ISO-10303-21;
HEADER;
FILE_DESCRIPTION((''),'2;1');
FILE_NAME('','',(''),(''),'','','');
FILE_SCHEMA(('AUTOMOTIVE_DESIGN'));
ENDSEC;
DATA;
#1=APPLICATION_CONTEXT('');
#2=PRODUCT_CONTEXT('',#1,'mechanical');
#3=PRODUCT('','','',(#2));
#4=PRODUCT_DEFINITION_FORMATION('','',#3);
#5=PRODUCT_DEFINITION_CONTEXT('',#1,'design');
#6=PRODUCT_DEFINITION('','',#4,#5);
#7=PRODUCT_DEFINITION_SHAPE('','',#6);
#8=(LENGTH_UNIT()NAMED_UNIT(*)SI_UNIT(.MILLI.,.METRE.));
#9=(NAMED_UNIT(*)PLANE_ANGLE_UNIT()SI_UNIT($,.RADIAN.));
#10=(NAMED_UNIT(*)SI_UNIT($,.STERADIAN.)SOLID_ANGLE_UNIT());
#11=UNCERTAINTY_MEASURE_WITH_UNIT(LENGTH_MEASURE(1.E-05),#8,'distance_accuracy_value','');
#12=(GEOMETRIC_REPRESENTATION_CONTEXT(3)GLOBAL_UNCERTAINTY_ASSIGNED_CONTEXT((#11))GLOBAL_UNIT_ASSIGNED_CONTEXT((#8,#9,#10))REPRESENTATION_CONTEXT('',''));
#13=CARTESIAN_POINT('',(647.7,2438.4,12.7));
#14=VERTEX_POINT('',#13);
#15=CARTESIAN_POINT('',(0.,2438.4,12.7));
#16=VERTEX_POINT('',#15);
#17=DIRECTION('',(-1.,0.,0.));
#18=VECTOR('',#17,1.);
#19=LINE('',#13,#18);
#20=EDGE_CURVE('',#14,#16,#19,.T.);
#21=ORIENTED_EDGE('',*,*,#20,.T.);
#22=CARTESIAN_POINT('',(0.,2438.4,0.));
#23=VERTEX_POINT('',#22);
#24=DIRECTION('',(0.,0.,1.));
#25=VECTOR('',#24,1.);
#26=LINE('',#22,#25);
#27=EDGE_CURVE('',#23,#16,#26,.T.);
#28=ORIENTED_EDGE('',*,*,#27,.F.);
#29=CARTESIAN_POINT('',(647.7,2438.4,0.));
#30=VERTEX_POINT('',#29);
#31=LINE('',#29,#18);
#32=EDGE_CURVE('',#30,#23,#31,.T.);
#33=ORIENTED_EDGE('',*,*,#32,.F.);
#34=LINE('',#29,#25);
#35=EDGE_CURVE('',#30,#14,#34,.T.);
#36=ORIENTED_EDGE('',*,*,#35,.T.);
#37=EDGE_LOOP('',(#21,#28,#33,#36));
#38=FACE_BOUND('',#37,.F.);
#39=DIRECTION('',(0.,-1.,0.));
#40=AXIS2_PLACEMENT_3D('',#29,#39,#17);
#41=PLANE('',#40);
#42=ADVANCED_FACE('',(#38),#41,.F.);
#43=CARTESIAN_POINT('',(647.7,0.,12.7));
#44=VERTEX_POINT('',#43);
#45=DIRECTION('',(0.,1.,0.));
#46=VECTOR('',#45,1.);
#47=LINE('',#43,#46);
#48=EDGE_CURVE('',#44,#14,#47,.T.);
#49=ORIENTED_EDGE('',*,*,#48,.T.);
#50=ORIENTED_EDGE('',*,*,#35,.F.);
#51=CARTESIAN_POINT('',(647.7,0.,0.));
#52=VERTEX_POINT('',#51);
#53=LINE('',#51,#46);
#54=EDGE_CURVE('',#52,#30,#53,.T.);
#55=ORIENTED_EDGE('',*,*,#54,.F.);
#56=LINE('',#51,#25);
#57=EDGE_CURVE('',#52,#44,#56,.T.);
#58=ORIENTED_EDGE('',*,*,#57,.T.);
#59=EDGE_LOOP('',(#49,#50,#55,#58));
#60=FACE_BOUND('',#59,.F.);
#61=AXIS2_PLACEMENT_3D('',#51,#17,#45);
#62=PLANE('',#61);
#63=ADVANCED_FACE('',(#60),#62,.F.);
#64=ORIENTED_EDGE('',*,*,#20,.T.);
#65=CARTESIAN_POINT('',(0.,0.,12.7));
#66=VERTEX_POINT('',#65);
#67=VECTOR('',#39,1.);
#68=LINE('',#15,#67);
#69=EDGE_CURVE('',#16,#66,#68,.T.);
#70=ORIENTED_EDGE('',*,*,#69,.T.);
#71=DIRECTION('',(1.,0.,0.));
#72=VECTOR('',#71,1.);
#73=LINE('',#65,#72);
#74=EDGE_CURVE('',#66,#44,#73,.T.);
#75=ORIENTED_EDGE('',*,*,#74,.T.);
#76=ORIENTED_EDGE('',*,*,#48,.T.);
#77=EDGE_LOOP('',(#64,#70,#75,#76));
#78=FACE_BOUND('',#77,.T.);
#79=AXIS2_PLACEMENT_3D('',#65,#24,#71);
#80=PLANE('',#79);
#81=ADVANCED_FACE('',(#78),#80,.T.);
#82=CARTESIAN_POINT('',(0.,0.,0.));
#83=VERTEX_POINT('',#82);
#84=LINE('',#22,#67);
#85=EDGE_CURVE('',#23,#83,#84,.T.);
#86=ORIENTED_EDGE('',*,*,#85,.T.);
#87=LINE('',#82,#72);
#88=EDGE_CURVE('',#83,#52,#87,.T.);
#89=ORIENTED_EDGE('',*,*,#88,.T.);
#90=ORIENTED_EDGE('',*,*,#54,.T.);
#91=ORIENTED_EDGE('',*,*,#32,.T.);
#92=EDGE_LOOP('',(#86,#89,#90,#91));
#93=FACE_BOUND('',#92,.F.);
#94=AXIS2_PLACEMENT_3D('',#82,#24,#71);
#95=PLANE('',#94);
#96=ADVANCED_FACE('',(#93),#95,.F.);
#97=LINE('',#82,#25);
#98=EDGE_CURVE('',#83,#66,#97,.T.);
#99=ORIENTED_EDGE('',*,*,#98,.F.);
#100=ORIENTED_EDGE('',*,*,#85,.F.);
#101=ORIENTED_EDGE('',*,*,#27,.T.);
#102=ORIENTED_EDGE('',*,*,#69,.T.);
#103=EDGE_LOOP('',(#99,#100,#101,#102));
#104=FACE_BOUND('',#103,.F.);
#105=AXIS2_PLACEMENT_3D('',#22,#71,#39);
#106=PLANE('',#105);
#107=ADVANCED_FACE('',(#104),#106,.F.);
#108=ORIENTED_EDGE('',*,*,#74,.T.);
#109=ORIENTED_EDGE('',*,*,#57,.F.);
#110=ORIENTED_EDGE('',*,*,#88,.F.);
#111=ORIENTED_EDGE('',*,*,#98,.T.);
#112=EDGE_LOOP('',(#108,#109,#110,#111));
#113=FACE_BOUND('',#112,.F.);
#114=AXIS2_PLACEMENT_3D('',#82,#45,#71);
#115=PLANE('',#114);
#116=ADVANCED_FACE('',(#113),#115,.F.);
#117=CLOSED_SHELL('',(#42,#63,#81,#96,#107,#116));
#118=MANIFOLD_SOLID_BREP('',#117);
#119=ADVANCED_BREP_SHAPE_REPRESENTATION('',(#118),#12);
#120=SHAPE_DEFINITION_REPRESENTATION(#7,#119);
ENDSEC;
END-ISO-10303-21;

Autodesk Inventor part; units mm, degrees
ref_plane "YZ Plane" through (0, 0, 0) normal (1, 0, 0) x (0, 1, 0)
ref_plane "XZ Plane" through (0, 0, 0) normal (0, 1, 0) x (-1, 0, 0)
ref_plane "XY Plane" through (0, 0, 0) normal (0, 0, 1) x (1, 0, 0)
sketch "Sketch1" plane through (0, 0, 0) normal (0, 0, 1) x (1, 0, 0)
  line L0 (0, 0) -> (647.7, 0)
  line L1 (647.7, 0) -> (647.7, 2438.4)
  line L2 (647.7, 2438.4) -> (0, 2438.4)
  line L3 (0, 2438.4) -> (0, 0)
  dimension "d2" = 2438.4
  dimension "d3" = 647.7
extrude "Extrusion1" add sketch "Sketch1" along normal blind 12.7
properties part number "Sheathing_With_Dimensions_8.719_x_96_Inches" material "Wood (Birch)"
